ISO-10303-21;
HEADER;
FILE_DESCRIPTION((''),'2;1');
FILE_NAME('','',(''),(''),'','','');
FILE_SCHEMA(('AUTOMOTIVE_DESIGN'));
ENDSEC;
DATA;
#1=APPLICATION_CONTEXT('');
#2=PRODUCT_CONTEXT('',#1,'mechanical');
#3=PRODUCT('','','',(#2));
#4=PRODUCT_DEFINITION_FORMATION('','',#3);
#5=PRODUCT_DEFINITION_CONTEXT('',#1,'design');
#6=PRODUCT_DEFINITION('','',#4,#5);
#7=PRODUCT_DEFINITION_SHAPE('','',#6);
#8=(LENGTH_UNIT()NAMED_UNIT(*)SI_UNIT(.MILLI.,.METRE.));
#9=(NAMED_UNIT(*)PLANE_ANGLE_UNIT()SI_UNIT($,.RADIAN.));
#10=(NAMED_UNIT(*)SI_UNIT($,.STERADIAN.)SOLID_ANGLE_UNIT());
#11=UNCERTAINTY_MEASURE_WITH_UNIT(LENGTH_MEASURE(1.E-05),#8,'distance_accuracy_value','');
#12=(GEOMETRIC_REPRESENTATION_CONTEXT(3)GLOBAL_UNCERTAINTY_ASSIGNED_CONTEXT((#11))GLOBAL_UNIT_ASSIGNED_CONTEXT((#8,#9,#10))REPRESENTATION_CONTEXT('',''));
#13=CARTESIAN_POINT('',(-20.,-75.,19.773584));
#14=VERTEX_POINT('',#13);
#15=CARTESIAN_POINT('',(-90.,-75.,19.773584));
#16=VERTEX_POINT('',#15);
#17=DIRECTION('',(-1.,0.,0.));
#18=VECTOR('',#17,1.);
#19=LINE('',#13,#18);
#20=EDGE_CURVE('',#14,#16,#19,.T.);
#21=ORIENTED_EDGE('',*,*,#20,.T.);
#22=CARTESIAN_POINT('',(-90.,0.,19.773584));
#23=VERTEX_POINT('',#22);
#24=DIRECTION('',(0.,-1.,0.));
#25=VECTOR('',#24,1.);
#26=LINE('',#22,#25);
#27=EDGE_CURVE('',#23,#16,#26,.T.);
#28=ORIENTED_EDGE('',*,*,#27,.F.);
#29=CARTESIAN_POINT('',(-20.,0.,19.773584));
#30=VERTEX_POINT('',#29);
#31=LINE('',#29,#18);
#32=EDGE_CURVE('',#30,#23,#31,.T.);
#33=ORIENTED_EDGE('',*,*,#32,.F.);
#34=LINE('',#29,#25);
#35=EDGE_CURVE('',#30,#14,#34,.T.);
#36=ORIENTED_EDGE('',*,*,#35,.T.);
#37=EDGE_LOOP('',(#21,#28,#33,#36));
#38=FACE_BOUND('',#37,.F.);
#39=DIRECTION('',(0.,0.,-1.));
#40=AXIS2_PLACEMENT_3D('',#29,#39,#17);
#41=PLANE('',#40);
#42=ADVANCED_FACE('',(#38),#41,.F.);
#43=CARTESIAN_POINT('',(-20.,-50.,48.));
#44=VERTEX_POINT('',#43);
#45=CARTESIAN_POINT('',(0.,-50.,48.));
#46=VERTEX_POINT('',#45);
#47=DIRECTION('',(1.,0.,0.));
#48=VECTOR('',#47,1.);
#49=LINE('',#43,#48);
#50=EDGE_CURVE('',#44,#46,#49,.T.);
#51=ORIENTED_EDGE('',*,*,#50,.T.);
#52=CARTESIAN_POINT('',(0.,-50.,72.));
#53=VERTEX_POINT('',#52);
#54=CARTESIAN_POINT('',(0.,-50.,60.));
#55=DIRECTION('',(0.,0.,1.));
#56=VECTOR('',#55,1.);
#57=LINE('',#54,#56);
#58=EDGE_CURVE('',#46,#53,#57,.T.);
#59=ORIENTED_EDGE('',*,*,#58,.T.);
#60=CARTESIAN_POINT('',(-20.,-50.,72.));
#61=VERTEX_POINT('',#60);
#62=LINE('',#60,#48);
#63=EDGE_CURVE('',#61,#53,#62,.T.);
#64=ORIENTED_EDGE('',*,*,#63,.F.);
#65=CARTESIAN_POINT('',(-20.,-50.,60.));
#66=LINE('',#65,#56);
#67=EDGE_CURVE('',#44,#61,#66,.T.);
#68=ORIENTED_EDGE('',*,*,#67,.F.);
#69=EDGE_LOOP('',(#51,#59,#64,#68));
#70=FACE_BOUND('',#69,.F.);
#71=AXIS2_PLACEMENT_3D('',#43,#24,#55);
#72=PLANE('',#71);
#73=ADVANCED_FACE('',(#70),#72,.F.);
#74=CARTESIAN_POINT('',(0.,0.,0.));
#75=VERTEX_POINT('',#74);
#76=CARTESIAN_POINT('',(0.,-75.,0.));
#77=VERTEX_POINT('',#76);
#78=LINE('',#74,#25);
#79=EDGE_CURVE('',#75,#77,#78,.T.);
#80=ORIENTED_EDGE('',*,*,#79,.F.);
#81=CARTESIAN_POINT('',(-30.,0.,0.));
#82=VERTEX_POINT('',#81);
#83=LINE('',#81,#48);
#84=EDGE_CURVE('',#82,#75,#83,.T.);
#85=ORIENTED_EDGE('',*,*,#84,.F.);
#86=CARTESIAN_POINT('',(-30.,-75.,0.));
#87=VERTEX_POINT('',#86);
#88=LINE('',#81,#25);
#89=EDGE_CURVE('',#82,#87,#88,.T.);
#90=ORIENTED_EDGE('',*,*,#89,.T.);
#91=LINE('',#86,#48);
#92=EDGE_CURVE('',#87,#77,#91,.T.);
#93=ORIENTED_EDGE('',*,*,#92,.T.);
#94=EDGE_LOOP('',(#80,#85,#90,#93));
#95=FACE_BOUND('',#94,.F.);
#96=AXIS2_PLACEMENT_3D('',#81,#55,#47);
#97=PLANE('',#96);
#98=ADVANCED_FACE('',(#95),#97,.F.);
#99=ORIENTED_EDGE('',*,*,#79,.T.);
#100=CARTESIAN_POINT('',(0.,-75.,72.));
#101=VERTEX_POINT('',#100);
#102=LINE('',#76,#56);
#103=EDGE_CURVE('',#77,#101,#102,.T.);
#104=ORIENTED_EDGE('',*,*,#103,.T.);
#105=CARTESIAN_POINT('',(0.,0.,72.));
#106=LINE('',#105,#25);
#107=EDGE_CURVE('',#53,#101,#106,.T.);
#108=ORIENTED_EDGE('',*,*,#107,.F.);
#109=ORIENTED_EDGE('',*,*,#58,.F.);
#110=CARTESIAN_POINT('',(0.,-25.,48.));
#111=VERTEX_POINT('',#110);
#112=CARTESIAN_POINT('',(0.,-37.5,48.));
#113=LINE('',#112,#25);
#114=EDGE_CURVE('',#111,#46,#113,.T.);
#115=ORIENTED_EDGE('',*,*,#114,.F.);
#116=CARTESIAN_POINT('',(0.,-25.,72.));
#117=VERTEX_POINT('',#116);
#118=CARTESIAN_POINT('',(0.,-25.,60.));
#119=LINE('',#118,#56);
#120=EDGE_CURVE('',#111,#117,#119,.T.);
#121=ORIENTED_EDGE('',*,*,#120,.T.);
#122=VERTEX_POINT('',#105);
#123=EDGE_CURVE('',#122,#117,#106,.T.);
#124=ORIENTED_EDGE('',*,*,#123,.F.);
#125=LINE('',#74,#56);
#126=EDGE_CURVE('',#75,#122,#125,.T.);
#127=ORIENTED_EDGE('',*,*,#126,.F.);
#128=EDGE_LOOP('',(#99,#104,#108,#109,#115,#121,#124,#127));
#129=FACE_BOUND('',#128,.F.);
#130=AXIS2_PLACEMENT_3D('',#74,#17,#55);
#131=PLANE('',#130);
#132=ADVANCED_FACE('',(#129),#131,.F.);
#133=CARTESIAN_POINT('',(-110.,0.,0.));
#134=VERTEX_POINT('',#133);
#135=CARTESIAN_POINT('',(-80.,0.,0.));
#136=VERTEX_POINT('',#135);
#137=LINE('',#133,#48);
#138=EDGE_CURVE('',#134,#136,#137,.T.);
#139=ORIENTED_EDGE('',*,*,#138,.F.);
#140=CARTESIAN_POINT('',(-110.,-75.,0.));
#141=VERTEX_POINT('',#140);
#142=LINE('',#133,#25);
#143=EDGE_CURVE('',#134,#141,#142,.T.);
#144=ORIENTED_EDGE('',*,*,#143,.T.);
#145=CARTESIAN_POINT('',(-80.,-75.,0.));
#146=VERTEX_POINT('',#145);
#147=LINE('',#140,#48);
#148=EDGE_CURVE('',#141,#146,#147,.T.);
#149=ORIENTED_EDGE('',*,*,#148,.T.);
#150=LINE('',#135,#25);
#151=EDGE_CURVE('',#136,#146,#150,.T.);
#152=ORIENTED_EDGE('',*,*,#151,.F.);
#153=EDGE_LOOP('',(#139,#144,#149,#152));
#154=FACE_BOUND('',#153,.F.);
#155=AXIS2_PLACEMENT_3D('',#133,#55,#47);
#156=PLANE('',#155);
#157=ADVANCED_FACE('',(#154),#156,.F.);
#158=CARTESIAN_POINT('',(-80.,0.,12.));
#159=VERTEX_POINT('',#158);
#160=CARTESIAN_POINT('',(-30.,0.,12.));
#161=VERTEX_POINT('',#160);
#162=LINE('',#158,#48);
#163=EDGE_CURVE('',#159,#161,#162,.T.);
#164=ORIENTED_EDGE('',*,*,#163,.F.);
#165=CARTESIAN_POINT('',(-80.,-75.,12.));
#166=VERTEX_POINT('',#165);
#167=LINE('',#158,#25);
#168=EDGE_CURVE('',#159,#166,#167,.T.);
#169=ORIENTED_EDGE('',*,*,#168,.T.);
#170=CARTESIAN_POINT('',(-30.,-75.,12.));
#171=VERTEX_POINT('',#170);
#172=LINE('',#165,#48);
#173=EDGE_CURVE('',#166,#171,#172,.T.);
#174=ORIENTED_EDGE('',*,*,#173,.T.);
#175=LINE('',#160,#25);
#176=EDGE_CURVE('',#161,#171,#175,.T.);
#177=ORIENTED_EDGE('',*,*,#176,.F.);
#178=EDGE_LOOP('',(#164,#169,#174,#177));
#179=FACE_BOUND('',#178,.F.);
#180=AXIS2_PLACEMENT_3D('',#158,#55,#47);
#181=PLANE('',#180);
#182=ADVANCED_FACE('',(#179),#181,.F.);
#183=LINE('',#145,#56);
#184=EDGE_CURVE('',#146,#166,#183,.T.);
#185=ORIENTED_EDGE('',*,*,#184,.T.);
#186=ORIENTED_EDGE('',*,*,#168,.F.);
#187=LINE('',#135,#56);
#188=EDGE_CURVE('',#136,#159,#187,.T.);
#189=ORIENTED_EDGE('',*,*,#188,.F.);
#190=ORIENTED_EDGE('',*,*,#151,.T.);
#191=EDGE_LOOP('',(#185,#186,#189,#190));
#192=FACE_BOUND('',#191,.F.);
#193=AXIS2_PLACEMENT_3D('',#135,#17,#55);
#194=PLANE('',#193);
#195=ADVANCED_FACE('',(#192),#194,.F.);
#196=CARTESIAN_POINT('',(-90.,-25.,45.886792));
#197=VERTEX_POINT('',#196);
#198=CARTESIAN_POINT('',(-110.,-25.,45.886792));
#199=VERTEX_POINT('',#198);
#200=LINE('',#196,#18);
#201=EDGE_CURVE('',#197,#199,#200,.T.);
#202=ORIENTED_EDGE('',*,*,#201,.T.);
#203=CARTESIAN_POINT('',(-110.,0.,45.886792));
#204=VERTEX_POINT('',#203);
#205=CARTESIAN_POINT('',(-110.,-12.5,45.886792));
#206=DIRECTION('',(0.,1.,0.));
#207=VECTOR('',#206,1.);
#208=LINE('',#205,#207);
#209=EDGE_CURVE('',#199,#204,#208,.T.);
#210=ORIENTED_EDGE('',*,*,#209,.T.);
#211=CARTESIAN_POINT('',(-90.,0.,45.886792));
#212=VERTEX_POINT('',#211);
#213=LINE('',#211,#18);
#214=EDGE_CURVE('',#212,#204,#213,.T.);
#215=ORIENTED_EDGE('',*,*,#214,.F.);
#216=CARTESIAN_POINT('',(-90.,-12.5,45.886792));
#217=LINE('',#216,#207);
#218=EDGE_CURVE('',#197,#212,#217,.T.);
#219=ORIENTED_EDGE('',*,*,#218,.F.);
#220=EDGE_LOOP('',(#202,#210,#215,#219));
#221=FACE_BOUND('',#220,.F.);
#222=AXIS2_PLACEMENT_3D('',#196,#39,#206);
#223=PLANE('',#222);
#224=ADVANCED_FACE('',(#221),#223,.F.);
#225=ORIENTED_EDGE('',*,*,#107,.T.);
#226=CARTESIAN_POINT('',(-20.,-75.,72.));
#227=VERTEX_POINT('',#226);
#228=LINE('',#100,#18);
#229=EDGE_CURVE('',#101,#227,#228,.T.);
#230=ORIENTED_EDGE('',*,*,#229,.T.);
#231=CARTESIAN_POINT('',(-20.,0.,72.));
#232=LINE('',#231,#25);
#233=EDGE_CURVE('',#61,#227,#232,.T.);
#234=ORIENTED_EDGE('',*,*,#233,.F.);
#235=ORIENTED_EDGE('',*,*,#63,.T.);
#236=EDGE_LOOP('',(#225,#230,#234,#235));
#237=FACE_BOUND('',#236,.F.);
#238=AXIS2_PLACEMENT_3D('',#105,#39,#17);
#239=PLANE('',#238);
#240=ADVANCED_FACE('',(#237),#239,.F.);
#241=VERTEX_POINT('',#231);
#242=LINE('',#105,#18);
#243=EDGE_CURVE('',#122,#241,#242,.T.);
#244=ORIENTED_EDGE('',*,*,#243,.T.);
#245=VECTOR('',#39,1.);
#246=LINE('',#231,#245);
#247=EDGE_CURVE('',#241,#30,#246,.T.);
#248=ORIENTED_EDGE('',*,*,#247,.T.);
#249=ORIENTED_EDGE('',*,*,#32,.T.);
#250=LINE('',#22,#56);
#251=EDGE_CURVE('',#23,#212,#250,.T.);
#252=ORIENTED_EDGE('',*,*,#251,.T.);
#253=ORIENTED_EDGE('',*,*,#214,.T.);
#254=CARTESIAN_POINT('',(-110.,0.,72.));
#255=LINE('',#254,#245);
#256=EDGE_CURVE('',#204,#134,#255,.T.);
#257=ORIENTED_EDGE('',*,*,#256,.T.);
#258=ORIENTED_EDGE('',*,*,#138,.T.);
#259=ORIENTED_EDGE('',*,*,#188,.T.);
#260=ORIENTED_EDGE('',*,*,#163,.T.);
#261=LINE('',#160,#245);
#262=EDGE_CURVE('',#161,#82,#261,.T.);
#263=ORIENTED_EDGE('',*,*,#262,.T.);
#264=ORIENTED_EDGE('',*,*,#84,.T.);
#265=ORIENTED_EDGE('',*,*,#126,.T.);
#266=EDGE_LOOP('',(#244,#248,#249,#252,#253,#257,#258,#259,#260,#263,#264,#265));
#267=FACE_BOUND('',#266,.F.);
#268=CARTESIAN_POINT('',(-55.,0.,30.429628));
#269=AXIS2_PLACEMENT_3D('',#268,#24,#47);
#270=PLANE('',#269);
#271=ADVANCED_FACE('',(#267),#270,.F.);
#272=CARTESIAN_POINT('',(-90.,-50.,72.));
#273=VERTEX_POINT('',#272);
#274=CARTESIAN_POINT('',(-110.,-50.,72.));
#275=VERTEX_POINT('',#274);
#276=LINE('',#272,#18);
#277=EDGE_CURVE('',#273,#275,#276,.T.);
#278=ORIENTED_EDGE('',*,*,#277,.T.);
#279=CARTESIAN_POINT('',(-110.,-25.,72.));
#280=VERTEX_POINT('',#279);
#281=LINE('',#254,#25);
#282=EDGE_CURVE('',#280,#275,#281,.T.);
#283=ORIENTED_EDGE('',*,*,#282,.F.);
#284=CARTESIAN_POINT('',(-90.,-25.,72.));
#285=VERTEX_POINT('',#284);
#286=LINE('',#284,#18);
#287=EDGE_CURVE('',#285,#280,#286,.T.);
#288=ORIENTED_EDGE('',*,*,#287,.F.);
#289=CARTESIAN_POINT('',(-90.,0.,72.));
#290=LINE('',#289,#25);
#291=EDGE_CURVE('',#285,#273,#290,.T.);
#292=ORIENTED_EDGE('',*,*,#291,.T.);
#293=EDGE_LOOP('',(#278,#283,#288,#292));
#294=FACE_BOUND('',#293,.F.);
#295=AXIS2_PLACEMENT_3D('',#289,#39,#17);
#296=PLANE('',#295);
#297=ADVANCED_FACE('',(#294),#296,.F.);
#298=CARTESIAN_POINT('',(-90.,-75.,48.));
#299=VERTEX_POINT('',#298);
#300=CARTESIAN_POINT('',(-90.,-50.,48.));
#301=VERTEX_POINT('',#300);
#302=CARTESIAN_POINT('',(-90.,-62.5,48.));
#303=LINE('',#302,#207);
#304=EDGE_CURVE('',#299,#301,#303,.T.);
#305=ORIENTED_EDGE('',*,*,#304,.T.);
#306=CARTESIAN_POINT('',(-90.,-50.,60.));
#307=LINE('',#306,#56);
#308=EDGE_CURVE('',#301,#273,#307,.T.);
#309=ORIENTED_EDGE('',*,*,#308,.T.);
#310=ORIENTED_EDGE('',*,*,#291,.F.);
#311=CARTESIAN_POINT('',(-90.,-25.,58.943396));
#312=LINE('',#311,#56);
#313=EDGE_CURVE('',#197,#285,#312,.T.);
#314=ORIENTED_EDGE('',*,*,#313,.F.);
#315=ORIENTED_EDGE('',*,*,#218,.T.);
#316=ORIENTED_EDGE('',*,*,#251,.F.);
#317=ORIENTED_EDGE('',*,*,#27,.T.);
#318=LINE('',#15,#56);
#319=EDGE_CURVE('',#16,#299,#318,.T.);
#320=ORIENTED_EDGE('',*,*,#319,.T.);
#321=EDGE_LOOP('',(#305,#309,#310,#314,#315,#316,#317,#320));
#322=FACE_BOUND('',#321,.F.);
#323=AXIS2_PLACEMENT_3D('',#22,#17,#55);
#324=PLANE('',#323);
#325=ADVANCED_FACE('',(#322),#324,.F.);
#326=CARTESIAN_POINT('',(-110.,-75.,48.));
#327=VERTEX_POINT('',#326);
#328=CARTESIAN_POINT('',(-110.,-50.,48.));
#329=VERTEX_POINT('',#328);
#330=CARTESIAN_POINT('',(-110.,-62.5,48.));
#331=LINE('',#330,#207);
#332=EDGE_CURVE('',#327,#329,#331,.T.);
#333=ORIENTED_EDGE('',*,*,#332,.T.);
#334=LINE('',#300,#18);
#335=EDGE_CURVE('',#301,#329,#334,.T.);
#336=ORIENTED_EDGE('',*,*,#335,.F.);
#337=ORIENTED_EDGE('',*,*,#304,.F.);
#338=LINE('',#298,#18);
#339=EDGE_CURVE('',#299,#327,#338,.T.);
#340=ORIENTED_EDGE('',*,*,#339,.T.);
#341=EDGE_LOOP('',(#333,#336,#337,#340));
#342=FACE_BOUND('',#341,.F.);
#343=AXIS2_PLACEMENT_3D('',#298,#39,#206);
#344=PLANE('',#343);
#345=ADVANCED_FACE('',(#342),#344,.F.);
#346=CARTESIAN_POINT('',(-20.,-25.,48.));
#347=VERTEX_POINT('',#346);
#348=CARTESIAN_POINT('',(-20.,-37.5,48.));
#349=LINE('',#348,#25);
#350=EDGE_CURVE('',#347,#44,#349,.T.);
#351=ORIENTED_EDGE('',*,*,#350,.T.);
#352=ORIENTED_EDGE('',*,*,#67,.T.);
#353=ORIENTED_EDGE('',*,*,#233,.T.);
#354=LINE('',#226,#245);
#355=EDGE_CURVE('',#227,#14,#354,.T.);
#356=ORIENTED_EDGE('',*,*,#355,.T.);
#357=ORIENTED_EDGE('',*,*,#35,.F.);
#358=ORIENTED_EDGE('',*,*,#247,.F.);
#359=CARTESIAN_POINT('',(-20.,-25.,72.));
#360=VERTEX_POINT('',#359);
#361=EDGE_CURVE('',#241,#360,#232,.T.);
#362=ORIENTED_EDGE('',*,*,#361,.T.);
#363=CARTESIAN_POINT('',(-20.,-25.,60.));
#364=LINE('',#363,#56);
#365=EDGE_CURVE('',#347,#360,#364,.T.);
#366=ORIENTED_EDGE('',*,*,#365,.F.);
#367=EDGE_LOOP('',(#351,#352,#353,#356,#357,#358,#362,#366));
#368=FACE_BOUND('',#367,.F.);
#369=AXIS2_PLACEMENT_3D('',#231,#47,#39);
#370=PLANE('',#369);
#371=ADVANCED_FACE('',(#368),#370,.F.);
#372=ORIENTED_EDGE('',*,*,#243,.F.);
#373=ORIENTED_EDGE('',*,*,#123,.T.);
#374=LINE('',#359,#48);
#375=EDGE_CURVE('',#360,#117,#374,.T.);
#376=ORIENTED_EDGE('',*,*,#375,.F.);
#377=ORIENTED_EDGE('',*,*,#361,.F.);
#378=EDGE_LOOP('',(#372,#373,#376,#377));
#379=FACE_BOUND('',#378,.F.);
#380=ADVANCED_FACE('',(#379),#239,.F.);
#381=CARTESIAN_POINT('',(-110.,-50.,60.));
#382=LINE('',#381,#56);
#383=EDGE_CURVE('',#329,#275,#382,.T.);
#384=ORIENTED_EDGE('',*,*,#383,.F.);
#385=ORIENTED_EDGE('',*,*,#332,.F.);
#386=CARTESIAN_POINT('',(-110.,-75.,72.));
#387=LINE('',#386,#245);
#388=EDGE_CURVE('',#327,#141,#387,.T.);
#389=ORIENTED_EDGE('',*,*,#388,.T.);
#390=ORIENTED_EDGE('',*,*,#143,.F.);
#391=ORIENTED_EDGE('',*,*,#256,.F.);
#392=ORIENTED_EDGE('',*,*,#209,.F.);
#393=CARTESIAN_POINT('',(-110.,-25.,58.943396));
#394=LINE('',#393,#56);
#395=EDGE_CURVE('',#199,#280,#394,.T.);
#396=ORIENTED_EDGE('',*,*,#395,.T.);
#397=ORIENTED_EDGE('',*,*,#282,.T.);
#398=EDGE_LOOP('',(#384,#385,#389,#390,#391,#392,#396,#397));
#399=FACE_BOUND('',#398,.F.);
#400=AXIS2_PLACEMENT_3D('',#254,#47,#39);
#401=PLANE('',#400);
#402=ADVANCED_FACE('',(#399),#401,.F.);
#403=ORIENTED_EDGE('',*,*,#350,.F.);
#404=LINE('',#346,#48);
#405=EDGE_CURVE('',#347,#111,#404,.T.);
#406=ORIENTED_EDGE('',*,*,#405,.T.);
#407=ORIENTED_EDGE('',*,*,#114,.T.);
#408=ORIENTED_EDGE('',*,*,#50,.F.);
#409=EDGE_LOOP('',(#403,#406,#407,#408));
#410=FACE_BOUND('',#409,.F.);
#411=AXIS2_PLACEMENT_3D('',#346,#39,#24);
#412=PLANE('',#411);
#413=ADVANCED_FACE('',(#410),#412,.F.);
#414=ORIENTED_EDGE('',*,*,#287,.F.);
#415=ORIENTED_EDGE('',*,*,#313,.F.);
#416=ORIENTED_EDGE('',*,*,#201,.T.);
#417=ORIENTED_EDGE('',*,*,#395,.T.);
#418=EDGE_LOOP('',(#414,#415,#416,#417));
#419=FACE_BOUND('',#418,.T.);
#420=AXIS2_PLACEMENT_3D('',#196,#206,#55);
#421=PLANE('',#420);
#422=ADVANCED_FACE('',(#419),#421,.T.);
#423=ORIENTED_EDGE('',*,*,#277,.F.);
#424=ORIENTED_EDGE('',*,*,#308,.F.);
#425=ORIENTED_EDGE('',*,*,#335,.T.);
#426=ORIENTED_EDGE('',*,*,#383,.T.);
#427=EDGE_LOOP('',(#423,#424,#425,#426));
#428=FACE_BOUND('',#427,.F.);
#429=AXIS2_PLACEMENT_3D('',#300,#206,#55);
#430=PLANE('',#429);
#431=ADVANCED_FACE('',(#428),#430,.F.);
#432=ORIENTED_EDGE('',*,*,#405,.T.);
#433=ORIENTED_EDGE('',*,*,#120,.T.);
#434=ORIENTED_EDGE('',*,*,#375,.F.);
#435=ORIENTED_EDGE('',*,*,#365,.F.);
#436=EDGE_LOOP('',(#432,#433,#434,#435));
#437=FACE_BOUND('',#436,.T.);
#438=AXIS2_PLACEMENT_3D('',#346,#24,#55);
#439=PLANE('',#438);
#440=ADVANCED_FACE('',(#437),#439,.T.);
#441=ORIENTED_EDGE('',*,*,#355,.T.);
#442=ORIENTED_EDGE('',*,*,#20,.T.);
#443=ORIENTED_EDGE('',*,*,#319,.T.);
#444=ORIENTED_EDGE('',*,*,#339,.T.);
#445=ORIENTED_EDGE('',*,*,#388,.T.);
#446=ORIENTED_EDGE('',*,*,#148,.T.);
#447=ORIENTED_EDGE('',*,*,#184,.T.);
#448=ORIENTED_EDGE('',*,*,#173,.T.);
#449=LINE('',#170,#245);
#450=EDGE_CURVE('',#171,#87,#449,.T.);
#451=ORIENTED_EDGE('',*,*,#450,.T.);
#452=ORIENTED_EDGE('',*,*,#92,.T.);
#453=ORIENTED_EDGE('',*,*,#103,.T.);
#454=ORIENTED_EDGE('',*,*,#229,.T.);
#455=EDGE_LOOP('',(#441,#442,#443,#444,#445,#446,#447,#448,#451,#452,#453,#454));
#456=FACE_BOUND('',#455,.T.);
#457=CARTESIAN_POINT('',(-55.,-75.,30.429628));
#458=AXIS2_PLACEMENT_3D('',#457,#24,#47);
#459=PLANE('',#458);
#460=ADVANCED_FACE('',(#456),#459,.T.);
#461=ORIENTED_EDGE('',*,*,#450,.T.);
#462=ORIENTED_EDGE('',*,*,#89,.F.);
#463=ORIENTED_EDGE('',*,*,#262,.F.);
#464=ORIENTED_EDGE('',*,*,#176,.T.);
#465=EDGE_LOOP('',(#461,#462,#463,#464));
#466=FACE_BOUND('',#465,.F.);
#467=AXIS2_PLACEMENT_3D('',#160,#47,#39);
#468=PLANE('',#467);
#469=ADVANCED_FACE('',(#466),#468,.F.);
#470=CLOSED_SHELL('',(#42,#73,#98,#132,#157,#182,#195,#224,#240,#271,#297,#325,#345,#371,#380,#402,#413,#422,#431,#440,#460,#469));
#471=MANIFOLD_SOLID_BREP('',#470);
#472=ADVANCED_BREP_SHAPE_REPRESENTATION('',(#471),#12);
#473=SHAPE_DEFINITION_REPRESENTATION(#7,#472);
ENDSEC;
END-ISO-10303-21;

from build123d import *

# Parameters (mm, degrees)
F1_DEPTH = 75
F2_W     = 25
F2_H     = 24
F2_H_2   = 26.113208
F3_DEPTH = 20
F4_W     = 25
F4_H     = 24
F5_DEPTH = 20


with BuildPart() as f1:
    # F0 (on Front) → F1 (new body)
    with BuildSketch(Plane.XZ):
        Polygon((-30, 0), (0, 0), (0, 72), (-20, 72), (-20, 19.773584), (-90, 19.773584), (-90, 72), (-110, 72), (-110, 0), (-80, 0), (-80, 12), (-30, 12), align=None)
    extrude(amount=F1_DEPTH)

    # F2 (on face) → F3 (cut)
    with BuildSketch(Plane.YZ.offset(-90)):
        with Locations((-62.5, 60)):
            Rectangle(F2_W, F2_H)
        with Locations((-12.5, 58.943396)):
            Rectangle(F2_W, F2_H_2)
    extrude(amount=-F3_DEPTH, mode=Mode.SUBTRACT)

    # F4 (on face) → F5 (cut)
    with BuildSketch(Plane(origin=(-20, 0, 0), x_dir=(0, -1, 0), z_dir=(-1, 0, 0))):
        with Locations((37.5, 60)):
            Rectangle(F4_W, F4_H)
    extrude(amount=-F5_DEPTH, mode=Mode.SUBTRACT)


solid = f1.part
